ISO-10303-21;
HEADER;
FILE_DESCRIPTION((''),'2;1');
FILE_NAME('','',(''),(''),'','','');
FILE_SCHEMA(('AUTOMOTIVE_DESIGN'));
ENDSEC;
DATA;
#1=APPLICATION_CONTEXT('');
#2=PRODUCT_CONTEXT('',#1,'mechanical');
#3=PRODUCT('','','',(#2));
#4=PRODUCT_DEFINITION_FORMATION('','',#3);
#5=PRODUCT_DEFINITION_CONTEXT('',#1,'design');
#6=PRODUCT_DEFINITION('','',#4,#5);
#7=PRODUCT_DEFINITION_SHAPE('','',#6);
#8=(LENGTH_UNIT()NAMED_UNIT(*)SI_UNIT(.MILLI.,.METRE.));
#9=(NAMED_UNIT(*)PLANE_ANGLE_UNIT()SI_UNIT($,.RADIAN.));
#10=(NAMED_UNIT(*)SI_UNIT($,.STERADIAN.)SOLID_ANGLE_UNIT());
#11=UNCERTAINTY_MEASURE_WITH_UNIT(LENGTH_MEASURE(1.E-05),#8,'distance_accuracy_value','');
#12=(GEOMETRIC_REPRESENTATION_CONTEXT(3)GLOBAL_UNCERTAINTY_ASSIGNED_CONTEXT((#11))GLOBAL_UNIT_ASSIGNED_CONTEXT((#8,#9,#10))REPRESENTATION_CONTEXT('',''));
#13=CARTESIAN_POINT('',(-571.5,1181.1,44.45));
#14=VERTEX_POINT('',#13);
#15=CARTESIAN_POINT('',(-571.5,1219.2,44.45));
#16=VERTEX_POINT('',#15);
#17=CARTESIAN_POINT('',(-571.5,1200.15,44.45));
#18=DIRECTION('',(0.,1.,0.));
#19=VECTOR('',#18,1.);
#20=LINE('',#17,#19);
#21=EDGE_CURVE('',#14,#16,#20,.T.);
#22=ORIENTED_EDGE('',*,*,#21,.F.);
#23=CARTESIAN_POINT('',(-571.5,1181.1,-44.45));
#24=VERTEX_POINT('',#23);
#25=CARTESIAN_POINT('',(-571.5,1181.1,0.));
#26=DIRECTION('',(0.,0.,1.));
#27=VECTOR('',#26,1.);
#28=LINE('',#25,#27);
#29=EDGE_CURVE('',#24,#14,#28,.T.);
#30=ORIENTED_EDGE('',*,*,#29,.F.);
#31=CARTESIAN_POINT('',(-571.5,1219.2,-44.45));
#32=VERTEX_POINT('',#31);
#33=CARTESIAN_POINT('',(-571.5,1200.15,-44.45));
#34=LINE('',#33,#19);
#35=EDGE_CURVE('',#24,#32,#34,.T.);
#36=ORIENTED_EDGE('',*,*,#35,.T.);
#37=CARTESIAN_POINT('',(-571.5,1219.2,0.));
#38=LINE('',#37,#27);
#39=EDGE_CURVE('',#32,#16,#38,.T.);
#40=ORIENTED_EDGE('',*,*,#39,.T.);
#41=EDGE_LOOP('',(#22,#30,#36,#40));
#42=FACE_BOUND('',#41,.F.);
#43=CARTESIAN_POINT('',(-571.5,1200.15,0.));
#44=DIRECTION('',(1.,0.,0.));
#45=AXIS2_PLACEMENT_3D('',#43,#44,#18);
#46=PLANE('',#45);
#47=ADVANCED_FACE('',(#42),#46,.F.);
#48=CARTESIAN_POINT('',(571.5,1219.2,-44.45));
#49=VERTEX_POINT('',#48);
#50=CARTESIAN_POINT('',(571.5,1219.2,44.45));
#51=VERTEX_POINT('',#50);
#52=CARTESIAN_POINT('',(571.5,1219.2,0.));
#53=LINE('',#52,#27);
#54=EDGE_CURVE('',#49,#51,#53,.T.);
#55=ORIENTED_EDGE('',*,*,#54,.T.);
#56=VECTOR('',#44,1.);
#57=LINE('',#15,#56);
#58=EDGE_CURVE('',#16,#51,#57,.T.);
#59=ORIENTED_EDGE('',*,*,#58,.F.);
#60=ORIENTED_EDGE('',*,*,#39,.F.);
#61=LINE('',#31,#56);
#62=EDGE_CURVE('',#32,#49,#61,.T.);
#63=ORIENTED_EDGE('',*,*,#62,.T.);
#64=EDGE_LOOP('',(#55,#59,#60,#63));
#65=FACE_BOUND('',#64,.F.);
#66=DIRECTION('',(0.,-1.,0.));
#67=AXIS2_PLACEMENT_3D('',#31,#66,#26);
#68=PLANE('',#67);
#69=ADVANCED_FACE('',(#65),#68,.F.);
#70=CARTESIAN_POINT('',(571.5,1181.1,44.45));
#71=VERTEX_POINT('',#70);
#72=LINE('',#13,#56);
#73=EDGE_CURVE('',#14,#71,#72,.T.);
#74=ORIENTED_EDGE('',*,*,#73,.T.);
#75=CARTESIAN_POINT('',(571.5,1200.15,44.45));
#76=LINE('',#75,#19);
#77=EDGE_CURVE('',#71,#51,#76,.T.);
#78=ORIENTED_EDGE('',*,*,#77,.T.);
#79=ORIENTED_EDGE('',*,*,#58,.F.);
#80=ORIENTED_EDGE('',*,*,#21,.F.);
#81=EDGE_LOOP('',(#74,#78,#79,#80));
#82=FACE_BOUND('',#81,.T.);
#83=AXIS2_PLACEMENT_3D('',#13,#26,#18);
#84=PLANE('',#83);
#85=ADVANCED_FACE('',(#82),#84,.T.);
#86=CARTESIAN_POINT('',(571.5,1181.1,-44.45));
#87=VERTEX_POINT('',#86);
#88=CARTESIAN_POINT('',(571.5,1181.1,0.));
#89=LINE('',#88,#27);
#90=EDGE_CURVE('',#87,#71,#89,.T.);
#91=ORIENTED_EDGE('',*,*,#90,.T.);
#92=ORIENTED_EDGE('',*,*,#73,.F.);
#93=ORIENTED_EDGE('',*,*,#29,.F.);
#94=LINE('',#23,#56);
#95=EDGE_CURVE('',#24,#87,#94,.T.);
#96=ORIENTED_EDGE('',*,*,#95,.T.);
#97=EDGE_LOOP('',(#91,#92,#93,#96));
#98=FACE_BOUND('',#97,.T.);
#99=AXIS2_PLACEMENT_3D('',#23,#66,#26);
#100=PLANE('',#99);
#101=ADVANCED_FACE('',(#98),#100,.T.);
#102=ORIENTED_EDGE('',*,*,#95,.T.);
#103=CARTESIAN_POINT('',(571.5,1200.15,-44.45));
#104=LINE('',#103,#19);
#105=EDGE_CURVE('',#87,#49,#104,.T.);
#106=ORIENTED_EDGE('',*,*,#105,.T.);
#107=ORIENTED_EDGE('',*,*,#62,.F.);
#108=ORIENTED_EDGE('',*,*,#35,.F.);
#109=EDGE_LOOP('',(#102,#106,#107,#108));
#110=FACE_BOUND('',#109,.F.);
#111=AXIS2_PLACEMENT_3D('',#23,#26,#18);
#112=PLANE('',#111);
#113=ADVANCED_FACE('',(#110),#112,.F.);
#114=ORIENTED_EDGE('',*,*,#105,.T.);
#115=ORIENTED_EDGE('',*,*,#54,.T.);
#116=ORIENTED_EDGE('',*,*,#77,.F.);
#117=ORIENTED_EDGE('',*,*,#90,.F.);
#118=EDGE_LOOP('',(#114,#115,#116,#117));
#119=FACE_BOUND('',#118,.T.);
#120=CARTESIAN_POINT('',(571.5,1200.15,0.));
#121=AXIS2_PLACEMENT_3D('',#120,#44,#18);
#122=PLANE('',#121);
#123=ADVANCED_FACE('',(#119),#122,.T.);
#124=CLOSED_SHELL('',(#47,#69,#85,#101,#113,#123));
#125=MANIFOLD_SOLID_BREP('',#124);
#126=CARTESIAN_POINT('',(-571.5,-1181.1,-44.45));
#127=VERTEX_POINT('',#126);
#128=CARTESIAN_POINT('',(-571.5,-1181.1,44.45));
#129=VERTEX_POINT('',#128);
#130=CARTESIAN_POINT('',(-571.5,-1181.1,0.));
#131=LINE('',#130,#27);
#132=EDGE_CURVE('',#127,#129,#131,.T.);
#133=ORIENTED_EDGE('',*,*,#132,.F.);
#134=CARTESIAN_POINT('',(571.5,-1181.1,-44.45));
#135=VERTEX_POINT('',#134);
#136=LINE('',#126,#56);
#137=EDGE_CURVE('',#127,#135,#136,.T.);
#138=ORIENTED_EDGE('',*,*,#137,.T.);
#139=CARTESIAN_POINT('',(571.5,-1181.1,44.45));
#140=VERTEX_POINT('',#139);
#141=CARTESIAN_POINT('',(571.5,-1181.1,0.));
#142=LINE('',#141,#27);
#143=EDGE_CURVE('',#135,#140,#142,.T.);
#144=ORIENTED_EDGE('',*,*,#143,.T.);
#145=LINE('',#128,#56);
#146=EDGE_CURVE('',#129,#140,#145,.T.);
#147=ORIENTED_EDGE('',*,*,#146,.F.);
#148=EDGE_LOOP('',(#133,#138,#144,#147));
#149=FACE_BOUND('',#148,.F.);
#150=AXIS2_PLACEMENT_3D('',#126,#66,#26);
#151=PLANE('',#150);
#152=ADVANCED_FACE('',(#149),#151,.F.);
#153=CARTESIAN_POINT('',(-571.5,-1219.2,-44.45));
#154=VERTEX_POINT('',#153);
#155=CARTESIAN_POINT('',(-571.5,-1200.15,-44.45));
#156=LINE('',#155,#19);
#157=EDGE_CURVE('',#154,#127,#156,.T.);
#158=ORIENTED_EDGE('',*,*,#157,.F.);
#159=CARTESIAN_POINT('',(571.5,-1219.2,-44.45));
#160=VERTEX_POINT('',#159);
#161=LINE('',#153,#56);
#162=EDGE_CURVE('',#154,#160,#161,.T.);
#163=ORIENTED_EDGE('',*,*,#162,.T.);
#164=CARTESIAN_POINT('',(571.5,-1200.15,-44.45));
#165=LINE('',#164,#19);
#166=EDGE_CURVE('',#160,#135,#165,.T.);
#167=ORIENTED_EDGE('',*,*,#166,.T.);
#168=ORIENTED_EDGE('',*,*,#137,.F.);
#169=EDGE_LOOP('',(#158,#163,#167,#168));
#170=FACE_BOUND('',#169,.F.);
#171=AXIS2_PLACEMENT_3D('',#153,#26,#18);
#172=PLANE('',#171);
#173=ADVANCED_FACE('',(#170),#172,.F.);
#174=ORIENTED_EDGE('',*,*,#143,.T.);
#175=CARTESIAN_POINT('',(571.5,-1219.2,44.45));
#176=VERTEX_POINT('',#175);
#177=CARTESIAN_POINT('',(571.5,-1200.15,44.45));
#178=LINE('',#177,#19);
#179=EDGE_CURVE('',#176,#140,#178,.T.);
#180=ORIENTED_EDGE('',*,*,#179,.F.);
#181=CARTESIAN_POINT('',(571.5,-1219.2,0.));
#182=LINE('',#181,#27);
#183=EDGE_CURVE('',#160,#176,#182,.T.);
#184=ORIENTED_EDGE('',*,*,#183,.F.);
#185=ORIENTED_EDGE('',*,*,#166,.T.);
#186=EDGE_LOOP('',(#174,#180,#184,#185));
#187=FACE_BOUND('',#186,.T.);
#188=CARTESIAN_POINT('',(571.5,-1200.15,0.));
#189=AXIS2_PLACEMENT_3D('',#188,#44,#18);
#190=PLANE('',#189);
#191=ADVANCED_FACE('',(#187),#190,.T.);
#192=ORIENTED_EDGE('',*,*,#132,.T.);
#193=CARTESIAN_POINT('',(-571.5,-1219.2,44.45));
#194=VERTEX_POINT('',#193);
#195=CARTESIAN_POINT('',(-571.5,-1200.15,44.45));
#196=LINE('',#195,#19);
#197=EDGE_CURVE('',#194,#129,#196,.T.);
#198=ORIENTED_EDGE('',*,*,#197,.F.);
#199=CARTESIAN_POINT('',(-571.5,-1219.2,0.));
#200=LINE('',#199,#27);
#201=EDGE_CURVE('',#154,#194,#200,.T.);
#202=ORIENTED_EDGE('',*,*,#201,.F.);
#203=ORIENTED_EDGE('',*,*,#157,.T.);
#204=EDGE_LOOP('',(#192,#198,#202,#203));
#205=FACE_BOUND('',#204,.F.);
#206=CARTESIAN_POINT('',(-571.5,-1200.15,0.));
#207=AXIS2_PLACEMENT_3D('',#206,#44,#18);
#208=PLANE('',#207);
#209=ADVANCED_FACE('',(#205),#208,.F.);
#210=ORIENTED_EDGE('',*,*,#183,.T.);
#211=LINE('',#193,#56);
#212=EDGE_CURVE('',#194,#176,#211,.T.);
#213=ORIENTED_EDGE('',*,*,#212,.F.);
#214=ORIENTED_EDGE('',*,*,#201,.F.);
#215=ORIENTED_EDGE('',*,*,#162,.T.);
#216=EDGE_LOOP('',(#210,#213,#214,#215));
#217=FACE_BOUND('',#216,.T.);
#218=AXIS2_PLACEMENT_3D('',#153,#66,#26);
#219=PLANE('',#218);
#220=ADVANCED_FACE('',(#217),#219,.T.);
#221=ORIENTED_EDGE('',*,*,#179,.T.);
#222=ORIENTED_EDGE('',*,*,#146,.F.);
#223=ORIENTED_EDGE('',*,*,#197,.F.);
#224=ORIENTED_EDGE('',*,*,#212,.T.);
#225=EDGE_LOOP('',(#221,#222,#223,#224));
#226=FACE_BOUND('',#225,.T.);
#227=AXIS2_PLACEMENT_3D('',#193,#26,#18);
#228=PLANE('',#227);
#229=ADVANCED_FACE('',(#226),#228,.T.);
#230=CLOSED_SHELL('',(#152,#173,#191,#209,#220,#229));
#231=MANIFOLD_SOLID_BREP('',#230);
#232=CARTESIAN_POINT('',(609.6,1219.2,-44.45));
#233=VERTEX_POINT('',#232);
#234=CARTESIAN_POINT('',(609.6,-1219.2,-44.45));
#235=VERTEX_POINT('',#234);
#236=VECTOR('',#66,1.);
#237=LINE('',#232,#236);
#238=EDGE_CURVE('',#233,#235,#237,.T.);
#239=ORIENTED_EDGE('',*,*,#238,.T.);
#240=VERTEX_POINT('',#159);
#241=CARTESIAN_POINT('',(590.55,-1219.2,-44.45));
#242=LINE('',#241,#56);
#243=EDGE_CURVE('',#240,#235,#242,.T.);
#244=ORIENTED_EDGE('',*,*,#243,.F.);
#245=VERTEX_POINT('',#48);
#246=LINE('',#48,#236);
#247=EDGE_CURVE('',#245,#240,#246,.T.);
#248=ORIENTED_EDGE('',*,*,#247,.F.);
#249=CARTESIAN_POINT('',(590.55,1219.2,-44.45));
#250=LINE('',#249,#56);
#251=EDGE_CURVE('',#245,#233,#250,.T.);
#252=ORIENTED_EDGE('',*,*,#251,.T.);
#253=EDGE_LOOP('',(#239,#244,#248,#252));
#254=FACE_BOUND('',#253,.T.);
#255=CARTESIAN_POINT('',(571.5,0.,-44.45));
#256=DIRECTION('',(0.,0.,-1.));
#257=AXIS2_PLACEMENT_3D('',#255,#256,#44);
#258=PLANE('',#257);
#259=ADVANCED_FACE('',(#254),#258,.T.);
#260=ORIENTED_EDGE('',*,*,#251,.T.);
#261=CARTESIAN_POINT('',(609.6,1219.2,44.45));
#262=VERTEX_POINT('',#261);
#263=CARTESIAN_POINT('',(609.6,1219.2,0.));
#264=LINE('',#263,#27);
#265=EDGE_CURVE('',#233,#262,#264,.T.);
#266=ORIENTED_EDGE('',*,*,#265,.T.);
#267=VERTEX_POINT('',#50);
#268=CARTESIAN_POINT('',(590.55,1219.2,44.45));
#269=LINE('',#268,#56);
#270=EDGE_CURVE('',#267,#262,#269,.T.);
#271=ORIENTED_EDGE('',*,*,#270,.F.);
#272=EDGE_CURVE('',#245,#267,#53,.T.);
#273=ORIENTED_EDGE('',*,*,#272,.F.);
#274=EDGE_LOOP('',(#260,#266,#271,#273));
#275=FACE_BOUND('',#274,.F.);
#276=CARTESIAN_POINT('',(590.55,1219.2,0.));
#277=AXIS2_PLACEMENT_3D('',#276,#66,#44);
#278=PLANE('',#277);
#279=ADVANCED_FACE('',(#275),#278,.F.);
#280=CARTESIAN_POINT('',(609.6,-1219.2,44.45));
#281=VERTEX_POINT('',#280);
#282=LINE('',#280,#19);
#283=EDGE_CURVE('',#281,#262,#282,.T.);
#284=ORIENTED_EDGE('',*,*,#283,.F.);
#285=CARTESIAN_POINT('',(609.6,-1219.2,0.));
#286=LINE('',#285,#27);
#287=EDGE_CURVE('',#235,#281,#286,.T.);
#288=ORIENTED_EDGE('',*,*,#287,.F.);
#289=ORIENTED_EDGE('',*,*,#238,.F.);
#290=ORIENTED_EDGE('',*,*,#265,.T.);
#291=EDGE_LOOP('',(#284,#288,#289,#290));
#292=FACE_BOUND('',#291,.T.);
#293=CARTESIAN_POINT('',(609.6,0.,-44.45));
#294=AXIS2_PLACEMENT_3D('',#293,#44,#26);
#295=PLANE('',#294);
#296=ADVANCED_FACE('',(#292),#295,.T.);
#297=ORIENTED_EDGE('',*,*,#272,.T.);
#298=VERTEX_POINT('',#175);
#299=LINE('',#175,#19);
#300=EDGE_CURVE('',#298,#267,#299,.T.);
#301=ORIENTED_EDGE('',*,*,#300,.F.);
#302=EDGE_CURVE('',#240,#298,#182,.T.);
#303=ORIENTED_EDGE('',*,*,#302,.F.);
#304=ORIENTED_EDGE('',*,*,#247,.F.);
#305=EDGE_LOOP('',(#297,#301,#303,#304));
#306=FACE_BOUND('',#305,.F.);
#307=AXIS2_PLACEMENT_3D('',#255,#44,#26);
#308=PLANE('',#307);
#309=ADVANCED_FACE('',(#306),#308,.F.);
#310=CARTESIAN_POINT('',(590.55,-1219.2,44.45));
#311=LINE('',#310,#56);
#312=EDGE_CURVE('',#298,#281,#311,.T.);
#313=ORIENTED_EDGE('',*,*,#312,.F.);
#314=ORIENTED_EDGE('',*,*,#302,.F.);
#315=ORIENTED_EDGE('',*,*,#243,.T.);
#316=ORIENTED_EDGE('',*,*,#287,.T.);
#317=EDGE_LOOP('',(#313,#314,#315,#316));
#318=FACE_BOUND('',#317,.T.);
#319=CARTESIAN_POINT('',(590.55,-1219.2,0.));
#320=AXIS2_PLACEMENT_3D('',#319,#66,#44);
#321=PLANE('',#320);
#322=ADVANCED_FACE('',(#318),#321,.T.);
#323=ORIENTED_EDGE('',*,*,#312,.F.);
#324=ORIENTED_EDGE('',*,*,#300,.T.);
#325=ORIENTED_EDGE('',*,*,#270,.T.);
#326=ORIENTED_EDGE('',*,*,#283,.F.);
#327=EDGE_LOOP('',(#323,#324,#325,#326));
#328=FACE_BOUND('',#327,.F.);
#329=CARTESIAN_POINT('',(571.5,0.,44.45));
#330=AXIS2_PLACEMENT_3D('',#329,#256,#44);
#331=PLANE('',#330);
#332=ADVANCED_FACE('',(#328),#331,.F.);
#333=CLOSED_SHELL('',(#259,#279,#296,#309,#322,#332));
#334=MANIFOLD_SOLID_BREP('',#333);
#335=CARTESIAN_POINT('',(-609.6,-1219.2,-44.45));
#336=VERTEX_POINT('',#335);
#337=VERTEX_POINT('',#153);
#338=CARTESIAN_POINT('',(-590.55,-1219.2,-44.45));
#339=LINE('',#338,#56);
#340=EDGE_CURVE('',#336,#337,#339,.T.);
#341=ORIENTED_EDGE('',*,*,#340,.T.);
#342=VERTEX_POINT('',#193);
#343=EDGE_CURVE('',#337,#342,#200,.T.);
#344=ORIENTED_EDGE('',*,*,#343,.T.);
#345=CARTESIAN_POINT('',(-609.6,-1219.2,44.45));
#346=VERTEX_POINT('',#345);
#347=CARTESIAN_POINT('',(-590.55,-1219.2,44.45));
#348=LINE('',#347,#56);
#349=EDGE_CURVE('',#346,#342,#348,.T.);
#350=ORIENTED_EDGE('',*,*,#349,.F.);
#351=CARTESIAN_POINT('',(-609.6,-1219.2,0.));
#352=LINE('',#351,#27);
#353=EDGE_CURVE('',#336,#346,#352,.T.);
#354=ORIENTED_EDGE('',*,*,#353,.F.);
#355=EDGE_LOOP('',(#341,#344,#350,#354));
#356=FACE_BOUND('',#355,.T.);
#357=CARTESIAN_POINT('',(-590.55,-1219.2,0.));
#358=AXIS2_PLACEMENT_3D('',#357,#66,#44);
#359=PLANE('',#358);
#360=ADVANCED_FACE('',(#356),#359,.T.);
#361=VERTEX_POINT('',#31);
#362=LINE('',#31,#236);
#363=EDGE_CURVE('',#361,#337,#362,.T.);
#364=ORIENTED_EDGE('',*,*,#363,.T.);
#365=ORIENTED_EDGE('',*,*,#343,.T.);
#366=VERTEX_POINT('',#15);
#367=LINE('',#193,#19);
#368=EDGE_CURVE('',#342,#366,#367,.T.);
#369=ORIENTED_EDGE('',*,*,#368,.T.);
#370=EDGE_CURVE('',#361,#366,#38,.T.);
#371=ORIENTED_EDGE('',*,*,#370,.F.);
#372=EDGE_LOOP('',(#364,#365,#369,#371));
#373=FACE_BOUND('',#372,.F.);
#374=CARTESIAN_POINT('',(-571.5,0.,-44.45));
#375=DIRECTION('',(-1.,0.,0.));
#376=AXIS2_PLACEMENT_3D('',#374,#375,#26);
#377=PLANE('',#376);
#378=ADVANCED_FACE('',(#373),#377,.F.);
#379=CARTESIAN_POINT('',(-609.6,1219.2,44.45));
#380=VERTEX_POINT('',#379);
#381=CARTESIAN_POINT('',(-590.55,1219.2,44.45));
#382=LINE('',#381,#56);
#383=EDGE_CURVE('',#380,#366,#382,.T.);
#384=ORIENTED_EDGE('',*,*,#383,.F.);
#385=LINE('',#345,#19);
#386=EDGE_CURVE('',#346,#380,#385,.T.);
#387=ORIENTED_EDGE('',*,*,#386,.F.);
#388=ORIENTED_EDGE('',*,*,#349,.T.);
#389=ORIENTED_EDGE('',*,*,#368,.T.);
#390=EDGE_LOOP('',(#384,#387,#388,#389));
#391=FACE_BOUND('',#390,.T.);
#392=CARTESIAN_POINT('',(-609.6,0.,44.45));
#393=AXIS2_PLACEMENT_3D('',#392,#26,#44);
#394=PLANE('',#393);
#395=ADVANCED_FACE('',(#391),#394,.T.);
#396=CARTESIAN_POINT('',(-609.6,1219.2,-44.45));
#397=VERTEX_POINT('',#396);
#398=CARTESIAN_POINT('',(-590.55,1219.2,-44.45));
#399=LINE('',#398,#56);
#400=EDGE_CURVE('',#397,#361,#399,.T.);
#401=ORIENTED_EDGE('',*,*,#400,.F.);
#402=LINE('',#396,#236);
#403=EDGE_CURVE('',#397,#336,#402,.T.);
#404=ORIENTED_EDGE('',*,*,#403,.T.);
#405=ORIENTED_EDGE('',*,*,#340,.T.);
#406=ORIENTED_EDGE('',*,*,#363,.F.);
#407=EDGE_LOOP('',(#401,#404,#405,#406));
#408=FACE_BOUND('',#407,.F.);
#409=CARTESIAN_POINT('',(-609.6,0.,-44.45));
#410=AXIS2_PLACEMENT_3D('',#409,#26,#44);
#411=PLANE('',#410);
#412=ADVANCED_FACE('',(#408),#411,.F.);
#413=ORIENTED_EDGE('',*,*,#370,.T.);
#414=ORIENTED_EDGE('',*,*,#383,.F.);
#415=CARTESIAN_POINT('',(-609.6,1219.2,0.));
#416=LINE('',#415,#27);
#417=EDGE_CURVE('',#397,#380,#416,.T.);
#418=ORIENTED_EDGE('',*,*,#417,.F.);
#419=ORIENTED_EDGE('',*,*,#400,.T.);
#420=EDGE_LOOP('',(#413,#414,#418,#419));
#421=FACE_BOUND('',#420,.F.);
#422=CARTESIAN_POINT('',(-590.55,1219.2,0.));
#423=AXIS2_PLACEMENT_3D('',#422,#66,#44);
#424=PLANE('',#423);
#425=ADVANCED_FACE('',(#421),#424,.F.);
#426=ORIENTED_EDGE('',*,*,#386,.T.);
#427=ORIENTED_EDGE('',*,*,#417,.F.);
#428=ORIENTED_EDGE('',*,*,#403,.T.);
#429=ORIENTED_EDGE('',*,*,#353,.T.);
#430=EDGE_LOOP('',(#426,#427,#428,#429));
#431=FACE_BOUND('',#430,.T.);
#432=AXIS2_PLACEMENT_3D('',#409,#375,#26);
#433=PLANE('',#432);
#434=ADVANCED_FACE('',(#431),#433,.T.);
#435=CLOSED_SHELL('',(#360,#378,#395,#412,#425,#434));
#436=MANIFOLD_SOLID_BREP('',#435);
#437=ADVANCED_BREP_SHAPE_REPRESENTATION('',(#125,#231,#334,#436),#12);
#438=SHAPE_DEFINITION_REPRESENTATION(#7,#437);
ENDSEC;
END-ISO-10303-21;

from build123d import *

# Parameters (mm, degrees)
F0_W     = 38.1
F0_H     = 88.9
F1_DEPTH = 1219.2
F2_W     = 38.1
F2_H     = 88.9
F3_DEPTH = 1143


with BuildPart() as f1:
    # F0 (on Front) → F1 (new body, symmetric)
    with BuildSketch(Plane.XZ):
        with Locations((-590.55, 0)):
            Rectangle(F0_W, F0_H)
        with Locations((590.55, 0)):
            Rectangle(F0_W, F0_H)
    extrude(amount=F1_DEPTH, both=True)


with BuildPart() as f3:
    # F2 (on face) → F3 (new body)
    with BuildSketch(Plane.YZ.offset(-571.5)):
        with Locations((-1200.15, 0)):
            Rectangle(F2_W, F2_H)
        with Locations((1200.15, 0)):
            Rectangle(F2_W, F2_H)
    extrude(amount=F3_DEPTH)


solid = Compound([f1.part, f3.part])
